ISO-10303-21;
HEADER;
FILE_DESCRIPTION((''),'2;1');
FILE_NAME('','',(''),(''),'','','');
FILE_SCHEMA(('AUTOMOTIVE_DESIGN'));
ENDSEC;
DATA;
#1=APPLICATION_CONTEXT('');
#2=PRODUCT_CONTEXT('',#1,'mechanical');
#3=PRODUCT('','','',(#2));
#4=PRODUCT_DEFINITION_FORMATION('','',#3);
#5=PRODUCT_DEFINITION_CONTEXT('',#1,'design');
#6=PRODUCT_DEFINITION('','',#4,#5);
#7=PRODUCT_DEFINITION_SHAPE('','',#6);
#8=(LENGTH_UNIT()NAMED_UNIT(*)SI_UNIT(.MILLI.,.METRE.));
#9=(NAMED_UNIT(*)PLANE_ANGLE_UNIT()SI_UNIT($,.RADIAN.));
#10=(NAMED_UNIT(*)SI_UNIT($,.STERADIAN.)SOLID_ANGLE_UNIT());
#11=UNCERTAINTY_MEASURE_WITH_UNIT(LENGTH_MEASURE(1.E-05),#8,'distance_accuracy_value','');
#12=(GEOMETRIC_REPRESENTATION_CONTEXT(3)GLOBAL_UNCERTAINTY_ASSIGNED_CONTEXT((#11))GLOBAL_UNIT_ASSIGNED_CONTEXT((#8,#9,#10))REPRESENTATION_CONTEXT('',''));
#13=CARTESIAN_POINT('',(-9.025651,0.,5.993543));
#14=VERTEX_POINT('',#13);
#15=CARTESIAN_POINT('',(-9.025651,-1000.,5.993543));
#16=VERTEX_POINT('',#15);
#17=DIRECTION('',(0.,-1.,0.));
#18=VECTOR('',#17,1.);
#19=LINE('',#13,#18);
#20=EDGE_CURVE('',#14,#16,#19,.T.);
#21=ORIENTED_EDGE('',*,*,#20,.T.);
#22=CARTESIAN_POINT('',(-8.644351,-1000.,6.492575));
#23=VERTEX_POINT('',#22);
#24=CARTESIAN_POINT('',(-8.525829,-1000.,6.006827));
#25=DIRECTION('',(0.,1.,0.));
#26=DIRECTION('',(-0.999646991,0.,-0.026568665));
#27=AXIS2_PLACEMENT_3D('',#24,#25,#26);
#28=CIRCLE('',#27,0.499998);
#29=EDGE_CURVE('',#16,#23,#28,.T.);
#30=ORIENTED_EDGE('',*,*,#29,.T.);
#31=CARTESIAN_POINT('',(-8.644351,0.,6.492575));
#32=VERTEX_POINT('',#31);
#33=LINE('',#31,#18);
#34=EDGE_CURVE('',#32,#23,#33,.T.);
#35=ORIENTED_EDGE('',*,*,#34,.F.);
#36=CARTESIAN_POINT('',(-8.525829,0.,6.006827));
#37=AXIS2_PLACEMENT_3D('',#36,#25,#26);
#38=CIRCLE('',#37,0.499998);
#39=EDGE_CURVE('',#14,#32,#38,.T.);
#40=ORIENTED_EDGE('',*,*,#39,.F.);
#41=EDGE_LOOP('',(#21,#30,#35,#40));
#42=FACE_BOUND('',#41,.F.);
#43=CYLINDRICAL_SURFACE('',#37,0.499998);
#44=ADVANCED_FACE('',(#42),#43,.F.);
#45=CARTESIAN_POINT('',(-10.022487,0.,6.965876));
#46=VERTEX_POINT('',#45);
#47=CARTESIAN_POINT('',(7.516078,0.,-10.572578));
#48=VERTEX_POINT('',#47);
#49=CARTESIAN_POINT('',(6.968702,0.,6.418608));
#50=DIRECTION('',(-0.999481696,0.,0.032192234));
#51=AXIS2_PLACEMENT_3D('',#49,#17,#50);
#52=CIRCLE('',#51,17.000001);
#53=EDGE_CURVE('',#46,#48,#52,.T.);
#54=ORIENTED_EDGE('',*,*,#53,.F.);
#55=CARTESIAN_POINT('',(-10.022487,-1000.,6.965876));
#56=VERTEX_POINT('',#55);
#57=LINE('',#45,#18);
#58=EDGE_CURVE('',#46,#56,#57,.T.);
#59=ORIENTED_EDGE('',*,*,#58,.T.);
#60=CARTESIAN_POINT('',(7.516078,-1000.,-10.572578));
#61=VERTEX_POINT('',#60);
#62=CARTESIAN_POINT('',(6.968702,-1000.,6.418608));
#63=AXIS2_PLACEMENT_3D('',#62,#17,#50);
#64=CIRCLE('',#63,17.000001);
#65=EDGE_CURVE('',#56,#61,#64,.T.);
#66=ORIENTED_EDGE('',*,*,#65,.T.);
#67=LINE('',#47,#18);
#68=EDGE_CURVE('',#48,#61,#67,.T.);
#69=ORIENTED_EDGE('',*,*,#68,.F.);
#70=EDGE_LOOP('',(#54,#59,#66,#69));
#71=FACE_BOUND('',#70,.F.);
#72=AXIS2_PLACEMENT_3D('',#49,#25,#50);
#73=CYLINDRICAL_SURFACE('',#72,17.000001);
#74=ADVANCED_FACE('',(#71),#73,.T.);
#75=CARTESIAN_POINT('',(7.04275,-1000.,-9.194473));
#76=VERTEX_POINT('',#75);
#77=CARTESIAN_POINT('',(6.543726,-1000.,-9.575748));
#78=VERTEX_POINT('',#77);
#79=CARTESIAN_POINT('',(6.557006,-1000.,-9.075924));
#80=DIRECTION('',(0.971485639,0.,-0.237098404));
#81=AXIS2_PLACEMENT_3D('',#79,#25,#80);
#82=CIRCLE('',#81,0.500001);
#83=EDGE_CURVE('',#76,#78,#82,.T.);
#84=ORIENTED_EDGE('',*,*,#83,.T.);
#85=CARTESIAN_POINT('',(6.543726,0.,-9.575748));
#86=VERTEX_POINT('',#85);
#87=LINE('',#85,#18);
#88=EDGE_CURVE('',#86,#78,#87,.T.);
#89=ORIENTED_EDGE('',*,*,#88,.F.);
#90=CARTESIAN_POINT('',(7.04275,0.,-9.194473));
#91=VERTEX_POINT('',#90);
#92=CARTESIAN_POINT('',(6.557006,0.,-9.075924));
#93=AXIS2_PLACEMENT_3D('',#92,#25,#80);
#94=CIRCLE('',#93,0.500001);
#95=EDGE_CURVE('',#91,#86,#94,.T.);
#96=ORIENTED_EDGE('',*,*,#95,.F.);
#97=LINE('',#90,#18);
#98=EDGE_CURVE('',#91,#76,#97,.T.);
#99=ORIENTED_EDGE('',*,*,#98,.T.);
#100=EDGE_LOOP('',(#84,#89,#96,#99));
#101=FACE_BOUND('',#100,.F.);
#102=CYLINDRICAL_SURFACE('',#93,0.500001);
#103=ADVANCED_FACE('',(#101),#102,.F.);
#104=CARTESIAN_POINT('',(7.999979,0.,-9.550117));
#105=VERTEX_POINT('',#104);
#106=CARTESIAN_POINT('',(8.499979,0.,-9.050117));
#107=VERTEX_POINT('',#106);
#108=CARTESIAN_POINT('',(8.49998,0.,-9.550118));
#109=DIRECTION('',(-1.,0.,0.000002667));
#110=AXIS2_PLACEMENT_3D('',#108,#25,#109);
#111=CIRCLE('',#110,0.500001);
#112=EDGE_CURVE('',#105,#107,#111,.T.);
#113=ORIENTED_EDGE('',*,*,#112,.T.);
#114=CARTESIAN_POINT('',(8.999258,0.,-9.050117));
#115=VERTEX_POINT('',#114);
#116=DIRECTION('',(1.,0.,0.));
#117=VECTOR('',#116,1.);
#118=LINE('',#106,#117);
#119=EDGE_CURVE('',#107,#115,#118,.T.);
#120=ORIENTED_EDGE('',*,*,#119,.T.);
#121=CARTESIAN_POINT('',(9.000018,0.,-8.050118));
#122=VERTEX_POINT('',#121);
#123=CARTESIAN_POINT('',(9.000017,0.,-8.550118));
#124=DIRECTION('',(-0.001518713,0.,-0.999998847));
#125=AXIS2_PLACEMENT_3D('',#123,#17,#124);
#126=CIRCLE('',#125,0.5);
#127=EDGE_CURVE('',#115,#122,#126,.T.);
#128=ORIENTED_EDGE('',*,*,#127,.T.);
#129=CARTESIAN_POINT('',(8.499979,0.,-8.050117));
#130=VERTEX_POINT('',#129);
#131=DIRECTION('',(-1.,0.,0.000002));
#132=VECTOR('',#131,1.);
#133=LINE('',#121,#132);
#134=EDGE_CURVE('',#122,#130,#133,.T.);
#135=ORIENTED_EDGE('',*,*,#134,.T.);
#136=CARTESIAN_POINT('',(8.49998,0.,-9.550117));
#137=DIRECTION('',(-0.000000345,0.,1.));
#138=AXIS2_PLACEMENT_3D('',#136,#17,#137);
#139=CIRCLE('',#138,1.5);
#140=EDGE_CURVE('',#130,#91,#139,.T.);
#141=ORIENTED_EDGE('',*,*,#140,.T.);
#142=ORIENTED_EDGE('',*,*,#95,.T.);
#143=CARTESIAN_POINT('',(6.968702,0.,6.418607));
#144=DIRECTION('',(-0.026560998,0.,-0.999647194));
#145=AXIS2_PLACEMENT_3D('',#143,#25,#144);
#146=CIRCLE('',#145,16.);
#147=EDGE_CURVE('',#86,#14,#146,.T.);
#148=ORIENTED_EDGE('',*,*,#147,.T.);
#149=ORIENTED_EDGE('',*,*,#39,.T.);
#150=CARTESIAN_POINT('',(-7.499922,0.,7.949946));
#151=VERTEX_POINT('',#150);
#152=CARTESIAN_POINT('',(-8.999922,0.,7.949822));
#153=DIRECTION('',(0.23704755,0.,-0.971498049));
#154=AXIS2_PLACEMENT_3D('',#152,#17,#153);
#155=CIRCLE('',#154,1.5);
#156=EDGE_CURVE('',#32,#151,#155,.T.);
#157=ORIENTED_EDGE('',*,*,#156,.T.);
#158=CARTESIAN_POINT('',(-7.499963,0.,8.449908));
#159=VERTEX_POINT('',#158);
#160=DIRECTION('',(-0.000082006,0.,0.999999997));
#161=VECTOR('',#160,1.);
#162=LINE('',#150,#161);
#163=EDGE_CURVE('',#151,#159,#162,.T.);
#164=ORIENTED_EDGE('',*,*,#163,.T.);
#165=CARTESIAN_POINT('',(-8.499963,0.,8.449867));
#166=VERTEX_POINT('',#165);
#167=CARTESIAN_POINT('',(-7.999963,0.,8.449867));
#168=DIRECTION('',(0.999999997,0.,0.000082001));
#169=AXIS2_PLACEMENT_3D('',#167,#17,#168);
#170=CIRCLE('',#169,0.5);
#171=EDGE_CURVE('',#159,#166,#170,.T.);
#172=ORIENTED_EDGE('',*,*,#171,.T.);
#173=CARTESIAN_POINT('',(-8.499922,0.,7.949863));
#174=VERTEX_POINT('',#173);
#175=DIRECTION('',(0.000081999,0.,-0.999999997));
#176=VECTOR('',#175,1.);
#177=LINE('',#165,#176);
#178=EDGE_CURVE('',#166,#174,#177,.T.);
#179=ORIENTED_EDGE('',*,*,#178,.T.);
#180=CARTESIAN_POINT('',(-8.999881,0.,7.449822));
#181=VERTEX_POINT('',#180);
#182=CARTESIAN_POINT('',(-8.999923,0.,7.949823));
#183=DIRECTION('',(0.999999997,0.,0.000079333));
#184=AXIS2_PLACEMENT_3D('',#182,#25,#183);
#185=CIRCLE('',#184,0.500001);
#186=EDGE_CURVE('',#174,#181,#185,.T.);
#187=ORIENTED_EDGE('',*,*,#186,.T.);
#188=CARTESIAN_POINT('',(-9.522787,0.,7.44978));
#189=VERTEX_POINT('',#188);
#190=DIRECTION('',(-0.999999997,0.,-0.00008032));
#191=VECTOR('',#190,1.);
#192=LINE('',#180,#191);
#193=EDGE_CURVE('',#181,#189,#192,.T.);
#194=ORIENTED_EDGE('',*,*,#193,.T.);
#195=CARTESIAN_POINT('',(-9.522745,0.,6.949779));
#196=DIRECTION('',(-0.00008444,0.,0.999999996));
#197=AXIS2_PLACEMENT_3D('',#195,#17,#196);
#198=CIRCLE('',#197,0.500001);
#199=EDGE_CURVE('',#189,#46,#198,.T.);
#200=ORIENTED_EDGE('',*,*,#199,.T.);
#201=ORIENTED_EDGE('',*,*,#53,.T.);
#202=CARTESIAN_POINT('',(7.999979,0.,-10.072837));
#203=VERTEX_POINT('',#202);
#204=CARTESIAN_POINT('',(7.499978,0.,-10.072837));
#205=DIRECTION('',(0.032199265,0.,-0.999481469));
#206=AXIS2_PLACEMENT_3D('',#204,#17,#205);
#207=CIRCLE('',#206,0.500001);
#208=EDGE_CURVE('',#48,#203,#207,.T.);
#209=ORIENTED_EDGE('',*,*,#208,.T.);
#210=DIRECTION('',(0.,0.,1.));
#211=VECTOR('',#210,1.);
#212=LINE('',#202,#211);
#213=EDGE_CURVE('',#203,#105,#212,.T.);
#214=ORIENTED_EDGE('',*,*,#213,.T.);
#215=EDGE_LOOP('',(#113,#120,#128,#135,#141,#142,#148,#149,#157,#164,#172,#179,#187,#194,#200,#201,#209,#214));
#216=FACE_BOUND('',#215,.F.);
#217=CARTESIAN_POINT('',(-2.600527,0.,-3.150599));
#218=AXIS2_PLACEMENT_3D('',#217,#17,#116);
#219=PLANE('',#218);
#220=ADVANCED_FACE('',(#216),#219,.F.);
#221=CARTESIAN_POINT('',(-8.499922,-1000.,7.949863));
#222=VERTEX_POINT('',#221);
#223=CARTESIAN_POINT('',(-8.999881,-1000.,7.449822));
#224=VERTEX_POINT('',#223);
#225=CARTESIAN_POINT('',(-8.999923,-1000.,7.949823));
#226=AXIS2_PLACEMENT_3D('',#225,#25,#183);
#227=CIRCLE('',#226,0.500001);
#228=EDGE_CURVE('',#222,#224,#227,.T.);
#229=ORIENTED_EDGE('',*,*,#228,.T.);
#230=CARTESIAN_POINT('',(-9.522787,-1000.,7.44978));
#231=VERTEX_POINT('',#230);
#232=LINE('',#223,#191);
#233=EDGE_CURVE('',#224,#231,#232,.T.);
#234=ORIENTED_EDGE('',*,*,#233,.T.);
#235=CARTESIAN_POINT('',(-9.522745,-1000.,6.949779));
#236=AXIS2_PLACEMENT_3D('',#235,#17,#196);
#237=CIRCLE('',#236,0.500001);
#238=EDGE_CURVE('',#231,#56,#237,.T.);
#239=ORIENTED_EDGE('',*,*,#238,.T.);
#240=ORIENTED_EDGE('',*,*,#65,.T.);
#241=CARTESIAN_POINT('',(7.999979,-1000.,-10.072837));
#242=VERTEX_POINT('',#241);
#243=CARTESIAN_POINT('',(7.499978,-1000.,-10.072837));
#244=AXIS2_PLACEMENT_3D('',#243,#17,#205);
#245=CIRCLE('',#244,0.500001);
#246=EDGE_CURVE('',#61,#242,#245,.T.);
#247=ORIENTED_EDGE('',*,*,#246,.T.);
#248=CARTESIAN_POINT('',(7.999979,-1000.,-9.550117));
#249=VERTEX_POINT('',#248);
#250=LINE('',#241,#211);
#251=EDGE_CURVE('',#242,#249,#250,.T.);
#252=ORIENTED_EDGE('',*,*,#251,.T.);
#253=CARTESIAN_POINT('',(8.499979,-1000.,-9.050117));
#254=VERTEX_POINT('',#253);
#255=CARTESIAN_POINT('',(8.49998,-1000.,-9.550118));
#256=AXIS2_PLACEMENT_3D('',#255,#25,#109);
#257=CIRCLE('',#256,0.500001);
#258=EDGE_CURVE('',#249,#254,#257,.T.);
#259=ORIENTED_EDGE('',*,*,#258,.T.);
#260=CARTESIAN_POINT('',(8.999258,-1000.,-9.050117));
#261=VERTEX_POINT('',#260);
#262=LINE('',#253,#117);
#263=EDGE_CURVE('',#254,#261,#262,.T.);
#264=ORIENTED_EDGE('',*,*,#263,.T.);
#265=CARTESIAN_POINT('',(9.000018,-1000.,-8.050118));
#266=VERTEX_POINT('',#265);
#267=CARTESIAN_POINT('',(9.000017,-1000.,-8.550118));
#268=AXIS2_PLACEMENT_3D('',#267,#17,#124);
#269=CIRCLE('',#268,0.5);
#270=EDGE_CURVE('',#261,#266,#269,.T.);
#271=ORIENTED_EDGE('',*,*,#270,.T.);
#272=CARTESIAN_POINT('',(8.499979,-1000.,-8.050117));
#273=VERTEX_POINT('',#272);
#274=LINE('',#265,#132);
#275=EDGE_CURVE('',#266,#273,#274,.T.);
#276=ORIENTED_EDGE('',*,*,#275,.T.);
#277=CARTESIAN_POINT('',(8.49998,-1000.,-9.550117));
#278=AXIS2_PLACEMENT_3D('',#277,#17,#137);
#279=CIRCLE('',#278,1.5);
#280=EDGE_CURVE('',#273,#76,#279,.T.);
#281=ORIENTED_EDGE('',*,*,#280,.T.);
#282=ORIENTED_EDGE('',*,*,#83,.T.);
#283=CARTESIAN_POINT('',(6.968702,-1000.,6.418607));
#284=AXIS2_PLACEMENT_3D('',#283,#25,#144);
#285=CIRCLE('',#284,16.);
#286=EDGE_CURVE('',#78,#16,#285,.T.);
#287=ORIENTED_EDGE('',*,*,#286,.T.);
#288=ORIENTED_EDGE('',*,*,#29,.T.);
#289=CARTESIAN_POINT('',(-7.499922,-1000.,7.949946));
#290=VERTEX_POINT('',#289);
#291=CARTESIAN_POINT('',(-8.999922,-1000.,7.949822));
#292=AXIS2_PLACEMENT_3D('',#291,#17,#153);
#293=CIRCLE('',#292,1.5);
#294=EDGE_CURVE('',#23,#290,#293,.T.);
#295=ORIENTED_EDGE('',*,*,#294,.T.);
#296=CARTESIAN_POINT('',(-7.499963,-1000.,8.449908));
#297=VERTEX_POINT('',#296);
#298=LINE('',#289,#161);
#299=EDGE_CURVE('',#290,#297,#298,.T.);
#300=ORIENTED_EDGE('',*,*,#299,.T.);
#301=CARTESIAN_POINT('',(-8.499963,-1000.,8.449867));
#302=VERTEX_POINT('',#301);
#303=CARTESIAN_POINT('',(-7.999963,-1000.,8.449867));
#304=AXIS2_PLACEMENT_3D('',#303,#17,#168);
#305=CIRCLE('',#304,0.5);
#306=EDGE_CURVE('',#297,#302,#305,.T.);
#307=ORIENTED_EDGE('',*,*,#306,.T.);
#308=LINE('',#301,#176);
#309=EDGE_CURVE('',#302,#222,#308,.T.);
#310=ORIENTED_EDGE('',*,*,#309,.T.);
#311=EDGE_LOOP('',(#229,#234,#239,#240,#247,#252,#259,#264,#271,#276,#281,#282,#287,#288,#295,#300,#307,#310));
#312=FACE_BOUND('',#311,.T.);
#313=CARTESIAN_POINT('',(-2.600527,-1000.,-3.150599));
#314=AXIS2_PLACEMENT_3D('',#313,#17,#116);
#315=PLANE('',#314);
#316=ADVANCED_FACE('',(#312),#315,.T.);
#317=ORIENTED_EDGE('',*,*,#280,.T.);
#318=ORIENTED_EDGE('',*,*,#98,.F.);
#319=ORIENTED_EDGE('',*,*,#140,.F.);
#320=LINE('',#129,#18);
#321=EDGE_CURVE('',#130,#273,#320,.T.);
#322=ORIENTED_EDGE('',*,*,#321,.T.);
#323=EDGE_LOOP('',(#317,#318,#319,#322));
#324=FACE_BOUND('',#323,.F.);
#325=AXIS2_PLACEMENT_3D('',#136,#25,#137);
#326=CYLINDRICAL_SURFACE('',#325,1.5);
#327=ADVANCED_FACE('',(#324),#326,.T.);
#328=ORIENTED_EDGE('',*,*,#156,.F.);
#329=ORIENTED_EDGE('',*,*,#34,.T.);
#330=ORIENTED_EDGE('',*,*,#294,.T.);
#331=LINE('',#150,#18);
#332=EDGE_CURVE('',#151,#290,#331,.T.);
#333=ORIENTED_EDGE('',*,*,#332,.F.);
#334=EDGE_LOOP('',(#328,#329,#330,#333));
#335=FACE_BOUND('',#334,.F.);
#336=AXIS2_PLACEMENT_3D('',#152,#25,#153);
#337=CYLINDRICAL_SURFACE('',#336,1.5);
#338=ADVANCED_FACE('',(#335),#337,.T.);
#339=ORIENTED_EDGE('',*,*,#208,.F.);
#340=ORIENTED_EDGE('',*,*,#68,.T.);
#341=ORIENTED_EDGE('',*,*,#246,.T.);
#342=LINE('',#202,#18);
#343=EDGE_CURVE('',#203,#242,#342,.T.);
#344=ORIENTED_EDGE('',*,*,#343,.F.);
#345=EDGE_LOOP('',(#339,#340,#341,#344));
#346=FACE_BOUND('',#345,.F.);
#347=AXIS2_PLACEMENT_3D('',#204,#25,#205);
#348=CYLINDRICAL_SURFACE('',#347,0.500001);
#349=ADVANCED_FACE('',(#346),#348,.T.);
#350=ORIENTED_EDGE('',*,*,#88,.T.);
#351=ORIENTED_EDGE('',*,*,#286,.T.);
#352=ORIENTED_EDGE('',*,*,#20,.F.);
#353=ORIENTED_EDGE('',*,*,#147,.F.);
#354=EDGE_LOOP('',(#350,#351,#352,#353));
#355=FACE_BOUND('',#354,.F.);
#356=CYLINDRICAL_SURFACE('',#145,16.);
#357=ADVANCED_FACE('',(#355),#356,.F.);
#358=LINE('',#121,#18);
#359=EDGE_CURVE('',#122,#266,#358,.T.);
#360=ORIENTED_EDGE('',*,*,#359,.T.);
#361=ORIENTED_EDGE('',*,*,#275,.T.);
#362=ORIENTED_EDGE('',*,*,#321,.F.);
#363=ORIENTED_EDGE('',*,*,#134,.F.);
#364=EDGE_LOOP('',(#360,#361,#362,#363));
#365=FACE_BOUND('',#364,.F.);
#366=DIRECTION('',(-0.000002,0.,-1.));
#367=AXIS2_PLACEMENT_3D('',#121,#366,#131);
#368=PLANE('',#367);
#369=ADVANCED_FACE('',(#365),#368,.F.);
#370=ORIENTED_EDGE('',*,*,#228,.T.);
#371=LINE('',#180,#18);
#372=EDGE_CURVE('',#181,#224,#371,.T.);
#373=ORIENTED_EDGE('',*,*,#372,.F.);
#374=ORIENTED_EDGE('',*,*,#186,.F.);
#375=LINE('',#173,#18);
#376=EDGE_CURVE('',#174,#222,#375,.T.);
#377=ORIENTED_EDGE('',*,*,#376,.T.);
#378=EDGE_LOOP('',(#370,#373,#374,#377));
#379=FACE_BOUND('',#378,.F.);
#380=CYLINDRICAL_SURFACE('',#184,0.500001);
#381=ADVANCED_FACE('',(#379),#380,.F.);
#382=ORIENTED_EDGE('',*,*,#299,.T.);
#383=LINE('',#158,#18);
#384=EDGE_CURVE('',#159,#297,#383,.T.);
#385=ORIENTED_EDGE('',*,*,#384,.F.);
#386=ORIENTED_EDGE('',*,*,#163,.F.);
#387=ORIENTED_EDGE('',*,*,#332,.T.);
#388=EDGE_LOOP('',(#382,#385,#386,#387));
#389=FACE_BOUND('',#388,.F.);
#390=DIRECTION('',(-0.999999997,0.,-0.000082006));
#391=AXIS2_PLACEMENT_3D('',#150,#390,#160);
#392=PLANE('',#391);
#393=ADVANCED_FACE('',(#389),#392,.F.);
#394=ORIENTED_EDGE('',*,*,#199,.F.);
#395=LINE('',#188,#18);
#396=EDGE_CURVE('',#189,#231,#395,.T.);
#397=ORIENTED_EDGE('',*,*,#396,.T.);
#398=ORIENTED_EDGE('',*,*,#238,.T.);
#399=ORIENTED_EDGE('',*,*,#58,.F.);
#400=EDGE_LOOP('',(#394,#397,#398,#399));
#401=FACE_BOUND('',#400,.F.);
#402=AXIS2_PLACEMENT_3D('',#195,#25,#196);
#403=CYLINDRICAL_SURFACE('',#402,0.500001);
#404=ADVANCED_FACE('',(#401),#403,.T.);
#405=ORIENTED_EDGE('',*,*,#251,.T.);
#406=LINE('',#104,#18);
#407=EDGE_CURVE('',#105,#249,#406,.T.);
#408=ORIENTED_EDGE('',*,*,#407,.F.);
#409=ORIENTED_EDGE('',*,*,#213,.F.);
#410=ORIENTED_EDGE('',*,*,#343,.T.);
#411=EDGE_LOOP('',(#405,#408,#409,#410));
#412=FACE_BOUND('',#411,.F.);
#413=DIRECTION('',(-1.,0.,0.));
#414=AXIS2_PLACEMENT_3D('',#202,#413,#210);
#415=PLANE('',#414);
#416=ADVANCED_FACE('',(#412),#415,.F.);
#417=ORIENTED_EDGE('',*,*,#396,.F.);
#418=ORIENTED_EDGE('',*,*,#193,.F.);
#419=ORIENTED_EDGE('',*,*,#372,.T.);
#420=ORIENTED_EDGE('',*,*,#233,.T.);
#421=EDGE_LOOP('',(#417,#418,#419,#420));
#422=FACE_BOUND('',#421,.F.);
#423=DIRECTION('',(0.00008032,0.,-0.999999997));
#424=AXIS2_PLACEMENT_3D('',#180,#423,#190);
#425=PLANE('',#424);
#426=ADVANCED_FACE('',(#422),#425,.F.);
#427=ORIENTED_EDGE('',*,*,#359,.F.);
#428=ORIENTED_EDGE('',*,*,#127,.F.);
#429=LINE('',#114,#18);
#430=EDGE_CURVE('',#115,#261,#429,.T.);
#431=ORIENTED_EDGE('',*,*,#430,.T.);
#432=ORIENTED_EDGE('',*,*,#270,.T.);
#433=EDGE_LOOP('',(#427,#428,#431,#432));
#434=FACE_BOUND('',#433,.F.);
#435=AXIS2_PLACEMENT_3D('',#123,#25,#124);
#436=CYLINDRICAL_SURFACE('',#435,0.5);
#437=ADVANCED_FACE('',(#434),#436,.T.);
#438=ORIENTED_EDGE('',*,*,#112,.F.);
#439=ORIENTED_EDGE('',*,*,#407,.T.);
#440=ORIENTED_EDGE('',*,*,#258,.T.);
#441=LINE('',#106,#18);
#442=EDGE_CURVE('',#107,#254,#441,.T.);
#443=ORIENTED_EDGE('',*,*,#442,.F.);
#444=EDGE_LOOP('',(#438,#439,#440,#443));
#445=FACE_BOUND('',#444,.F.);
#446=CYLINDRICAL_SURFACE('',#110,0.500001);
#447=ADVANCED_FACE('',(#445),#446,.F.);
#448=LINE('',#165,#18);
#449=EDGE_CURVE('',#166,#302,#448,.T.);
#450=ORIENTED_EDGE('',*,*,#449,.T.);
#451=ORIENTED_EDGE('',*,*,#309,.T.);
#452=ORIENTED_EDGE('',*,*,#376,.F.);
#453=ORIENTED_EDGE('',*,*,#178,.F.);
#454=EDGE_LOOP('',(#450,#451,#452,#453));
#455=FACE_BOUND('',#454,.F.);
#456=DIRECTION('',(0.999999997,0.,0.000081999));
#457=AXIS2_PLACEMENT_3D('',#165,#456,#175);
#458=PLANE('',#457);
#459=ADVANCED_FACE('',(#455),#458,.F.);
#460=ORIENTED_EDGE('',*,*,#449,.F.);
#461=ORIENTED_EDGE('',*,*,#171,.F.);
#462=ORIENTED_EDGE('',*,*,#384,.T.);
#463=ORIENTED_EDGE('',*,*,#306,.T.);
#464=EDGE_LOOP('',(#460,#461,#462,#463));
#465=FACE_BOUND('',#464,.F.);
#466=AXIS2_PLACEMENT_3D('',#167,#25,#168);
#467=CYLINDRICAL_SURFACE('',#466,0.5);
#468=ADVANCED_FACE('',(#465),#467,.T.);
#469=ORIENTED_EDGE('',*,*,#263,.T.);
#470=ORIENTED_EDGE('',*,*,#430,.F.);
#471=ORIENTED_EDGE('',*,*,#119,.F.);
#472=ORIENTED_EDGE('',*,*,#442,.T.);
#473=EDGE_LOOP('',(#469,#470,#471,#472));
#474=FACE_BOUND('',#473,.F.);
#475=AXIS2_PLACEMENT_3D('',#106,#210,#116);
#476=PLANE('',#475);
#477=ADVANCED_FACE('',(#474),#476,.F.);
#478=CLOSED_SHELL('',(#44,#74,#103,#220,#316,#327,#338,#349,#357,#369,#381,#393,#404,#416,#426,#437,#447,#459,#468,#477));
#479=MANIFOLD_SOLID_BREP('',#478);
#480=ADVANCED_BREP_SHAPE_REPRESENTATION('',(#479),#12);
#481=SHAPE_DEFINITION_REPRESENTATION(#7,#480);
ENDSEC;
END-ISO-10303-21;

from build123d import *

# Parameters (mm, degrees)
F1_DEPTH = 1000


with BuildPart() as f1:
    # F0 (on Front) → F1 (new body)
    with BuildSketch(Plane.XZ):
        with BuildLine():
            Line((-7.499922, 7.949946), (-7.499963, 8.449908))
            ThreePointArc((-7.499963, 8.449908), (-7.999984, 8.949867), (-8.499963, 8.449867))
            Line((-8.499963, 8.449867), (-8.499922, 7.949863))
            ThreePointArc((-8.499922, 7.949863), (-8.64634, 7.596298), (-8.999881, 7.449822))
            Line((-8.999881, 7.449822), (-9.522787, 7.44978))
            ThreePointArc((-9.522787, 7.44978), (-9.870577, 7.308964), (-10.022487, 6.965876))
            ThreePointArc((-10.022487, 6.965876), (-5.052075, -5.602246), (7.516078, -10.572578))
            ThreePointArc((7.516078, -10.572578), (7.859179, -10.420652), (7.999979, -10.072837))
            Line((7.999979, -10.072837), (7.999979, -9.550117))
            ThreePointArc((7.999979, -9.550117), (8.146426, -9.196564), (8.499979, -9.050117))
            Line((8.499979, -9.050117), (8.999258, -9.050117))
            ThreePointArc((8.999258, -9.050117), (9.500017, -8.550498), (9.000018, -8.050118))
            Line((9.000018, -8.050118), (8.499979, -8.050117))
            ThreePointArc((8.499979, -8.050117), (7.573552, -8.3704), (7.04275, -9.194473))
            ThreePointArc((7.04275, -9.194473), (6.860566, -9.47323), (6.543726, -9.575748))
            ThreePointArc((6.543726, -9.575748), (-4.344975, -4.895133), (-9.025651, 5.993543))
            ThreePointArc((-9.025651, 5.993543), (-8.923127, 6.310394), (-8.644351, 6.492575))
            ThreePointArc((-8.644351, 6.492575), (-7.82019, 7.023414), (-7.499922, 7.949946))
        make_face()
    extrude(amount=F1_DEPTH)


solid = f1.part
